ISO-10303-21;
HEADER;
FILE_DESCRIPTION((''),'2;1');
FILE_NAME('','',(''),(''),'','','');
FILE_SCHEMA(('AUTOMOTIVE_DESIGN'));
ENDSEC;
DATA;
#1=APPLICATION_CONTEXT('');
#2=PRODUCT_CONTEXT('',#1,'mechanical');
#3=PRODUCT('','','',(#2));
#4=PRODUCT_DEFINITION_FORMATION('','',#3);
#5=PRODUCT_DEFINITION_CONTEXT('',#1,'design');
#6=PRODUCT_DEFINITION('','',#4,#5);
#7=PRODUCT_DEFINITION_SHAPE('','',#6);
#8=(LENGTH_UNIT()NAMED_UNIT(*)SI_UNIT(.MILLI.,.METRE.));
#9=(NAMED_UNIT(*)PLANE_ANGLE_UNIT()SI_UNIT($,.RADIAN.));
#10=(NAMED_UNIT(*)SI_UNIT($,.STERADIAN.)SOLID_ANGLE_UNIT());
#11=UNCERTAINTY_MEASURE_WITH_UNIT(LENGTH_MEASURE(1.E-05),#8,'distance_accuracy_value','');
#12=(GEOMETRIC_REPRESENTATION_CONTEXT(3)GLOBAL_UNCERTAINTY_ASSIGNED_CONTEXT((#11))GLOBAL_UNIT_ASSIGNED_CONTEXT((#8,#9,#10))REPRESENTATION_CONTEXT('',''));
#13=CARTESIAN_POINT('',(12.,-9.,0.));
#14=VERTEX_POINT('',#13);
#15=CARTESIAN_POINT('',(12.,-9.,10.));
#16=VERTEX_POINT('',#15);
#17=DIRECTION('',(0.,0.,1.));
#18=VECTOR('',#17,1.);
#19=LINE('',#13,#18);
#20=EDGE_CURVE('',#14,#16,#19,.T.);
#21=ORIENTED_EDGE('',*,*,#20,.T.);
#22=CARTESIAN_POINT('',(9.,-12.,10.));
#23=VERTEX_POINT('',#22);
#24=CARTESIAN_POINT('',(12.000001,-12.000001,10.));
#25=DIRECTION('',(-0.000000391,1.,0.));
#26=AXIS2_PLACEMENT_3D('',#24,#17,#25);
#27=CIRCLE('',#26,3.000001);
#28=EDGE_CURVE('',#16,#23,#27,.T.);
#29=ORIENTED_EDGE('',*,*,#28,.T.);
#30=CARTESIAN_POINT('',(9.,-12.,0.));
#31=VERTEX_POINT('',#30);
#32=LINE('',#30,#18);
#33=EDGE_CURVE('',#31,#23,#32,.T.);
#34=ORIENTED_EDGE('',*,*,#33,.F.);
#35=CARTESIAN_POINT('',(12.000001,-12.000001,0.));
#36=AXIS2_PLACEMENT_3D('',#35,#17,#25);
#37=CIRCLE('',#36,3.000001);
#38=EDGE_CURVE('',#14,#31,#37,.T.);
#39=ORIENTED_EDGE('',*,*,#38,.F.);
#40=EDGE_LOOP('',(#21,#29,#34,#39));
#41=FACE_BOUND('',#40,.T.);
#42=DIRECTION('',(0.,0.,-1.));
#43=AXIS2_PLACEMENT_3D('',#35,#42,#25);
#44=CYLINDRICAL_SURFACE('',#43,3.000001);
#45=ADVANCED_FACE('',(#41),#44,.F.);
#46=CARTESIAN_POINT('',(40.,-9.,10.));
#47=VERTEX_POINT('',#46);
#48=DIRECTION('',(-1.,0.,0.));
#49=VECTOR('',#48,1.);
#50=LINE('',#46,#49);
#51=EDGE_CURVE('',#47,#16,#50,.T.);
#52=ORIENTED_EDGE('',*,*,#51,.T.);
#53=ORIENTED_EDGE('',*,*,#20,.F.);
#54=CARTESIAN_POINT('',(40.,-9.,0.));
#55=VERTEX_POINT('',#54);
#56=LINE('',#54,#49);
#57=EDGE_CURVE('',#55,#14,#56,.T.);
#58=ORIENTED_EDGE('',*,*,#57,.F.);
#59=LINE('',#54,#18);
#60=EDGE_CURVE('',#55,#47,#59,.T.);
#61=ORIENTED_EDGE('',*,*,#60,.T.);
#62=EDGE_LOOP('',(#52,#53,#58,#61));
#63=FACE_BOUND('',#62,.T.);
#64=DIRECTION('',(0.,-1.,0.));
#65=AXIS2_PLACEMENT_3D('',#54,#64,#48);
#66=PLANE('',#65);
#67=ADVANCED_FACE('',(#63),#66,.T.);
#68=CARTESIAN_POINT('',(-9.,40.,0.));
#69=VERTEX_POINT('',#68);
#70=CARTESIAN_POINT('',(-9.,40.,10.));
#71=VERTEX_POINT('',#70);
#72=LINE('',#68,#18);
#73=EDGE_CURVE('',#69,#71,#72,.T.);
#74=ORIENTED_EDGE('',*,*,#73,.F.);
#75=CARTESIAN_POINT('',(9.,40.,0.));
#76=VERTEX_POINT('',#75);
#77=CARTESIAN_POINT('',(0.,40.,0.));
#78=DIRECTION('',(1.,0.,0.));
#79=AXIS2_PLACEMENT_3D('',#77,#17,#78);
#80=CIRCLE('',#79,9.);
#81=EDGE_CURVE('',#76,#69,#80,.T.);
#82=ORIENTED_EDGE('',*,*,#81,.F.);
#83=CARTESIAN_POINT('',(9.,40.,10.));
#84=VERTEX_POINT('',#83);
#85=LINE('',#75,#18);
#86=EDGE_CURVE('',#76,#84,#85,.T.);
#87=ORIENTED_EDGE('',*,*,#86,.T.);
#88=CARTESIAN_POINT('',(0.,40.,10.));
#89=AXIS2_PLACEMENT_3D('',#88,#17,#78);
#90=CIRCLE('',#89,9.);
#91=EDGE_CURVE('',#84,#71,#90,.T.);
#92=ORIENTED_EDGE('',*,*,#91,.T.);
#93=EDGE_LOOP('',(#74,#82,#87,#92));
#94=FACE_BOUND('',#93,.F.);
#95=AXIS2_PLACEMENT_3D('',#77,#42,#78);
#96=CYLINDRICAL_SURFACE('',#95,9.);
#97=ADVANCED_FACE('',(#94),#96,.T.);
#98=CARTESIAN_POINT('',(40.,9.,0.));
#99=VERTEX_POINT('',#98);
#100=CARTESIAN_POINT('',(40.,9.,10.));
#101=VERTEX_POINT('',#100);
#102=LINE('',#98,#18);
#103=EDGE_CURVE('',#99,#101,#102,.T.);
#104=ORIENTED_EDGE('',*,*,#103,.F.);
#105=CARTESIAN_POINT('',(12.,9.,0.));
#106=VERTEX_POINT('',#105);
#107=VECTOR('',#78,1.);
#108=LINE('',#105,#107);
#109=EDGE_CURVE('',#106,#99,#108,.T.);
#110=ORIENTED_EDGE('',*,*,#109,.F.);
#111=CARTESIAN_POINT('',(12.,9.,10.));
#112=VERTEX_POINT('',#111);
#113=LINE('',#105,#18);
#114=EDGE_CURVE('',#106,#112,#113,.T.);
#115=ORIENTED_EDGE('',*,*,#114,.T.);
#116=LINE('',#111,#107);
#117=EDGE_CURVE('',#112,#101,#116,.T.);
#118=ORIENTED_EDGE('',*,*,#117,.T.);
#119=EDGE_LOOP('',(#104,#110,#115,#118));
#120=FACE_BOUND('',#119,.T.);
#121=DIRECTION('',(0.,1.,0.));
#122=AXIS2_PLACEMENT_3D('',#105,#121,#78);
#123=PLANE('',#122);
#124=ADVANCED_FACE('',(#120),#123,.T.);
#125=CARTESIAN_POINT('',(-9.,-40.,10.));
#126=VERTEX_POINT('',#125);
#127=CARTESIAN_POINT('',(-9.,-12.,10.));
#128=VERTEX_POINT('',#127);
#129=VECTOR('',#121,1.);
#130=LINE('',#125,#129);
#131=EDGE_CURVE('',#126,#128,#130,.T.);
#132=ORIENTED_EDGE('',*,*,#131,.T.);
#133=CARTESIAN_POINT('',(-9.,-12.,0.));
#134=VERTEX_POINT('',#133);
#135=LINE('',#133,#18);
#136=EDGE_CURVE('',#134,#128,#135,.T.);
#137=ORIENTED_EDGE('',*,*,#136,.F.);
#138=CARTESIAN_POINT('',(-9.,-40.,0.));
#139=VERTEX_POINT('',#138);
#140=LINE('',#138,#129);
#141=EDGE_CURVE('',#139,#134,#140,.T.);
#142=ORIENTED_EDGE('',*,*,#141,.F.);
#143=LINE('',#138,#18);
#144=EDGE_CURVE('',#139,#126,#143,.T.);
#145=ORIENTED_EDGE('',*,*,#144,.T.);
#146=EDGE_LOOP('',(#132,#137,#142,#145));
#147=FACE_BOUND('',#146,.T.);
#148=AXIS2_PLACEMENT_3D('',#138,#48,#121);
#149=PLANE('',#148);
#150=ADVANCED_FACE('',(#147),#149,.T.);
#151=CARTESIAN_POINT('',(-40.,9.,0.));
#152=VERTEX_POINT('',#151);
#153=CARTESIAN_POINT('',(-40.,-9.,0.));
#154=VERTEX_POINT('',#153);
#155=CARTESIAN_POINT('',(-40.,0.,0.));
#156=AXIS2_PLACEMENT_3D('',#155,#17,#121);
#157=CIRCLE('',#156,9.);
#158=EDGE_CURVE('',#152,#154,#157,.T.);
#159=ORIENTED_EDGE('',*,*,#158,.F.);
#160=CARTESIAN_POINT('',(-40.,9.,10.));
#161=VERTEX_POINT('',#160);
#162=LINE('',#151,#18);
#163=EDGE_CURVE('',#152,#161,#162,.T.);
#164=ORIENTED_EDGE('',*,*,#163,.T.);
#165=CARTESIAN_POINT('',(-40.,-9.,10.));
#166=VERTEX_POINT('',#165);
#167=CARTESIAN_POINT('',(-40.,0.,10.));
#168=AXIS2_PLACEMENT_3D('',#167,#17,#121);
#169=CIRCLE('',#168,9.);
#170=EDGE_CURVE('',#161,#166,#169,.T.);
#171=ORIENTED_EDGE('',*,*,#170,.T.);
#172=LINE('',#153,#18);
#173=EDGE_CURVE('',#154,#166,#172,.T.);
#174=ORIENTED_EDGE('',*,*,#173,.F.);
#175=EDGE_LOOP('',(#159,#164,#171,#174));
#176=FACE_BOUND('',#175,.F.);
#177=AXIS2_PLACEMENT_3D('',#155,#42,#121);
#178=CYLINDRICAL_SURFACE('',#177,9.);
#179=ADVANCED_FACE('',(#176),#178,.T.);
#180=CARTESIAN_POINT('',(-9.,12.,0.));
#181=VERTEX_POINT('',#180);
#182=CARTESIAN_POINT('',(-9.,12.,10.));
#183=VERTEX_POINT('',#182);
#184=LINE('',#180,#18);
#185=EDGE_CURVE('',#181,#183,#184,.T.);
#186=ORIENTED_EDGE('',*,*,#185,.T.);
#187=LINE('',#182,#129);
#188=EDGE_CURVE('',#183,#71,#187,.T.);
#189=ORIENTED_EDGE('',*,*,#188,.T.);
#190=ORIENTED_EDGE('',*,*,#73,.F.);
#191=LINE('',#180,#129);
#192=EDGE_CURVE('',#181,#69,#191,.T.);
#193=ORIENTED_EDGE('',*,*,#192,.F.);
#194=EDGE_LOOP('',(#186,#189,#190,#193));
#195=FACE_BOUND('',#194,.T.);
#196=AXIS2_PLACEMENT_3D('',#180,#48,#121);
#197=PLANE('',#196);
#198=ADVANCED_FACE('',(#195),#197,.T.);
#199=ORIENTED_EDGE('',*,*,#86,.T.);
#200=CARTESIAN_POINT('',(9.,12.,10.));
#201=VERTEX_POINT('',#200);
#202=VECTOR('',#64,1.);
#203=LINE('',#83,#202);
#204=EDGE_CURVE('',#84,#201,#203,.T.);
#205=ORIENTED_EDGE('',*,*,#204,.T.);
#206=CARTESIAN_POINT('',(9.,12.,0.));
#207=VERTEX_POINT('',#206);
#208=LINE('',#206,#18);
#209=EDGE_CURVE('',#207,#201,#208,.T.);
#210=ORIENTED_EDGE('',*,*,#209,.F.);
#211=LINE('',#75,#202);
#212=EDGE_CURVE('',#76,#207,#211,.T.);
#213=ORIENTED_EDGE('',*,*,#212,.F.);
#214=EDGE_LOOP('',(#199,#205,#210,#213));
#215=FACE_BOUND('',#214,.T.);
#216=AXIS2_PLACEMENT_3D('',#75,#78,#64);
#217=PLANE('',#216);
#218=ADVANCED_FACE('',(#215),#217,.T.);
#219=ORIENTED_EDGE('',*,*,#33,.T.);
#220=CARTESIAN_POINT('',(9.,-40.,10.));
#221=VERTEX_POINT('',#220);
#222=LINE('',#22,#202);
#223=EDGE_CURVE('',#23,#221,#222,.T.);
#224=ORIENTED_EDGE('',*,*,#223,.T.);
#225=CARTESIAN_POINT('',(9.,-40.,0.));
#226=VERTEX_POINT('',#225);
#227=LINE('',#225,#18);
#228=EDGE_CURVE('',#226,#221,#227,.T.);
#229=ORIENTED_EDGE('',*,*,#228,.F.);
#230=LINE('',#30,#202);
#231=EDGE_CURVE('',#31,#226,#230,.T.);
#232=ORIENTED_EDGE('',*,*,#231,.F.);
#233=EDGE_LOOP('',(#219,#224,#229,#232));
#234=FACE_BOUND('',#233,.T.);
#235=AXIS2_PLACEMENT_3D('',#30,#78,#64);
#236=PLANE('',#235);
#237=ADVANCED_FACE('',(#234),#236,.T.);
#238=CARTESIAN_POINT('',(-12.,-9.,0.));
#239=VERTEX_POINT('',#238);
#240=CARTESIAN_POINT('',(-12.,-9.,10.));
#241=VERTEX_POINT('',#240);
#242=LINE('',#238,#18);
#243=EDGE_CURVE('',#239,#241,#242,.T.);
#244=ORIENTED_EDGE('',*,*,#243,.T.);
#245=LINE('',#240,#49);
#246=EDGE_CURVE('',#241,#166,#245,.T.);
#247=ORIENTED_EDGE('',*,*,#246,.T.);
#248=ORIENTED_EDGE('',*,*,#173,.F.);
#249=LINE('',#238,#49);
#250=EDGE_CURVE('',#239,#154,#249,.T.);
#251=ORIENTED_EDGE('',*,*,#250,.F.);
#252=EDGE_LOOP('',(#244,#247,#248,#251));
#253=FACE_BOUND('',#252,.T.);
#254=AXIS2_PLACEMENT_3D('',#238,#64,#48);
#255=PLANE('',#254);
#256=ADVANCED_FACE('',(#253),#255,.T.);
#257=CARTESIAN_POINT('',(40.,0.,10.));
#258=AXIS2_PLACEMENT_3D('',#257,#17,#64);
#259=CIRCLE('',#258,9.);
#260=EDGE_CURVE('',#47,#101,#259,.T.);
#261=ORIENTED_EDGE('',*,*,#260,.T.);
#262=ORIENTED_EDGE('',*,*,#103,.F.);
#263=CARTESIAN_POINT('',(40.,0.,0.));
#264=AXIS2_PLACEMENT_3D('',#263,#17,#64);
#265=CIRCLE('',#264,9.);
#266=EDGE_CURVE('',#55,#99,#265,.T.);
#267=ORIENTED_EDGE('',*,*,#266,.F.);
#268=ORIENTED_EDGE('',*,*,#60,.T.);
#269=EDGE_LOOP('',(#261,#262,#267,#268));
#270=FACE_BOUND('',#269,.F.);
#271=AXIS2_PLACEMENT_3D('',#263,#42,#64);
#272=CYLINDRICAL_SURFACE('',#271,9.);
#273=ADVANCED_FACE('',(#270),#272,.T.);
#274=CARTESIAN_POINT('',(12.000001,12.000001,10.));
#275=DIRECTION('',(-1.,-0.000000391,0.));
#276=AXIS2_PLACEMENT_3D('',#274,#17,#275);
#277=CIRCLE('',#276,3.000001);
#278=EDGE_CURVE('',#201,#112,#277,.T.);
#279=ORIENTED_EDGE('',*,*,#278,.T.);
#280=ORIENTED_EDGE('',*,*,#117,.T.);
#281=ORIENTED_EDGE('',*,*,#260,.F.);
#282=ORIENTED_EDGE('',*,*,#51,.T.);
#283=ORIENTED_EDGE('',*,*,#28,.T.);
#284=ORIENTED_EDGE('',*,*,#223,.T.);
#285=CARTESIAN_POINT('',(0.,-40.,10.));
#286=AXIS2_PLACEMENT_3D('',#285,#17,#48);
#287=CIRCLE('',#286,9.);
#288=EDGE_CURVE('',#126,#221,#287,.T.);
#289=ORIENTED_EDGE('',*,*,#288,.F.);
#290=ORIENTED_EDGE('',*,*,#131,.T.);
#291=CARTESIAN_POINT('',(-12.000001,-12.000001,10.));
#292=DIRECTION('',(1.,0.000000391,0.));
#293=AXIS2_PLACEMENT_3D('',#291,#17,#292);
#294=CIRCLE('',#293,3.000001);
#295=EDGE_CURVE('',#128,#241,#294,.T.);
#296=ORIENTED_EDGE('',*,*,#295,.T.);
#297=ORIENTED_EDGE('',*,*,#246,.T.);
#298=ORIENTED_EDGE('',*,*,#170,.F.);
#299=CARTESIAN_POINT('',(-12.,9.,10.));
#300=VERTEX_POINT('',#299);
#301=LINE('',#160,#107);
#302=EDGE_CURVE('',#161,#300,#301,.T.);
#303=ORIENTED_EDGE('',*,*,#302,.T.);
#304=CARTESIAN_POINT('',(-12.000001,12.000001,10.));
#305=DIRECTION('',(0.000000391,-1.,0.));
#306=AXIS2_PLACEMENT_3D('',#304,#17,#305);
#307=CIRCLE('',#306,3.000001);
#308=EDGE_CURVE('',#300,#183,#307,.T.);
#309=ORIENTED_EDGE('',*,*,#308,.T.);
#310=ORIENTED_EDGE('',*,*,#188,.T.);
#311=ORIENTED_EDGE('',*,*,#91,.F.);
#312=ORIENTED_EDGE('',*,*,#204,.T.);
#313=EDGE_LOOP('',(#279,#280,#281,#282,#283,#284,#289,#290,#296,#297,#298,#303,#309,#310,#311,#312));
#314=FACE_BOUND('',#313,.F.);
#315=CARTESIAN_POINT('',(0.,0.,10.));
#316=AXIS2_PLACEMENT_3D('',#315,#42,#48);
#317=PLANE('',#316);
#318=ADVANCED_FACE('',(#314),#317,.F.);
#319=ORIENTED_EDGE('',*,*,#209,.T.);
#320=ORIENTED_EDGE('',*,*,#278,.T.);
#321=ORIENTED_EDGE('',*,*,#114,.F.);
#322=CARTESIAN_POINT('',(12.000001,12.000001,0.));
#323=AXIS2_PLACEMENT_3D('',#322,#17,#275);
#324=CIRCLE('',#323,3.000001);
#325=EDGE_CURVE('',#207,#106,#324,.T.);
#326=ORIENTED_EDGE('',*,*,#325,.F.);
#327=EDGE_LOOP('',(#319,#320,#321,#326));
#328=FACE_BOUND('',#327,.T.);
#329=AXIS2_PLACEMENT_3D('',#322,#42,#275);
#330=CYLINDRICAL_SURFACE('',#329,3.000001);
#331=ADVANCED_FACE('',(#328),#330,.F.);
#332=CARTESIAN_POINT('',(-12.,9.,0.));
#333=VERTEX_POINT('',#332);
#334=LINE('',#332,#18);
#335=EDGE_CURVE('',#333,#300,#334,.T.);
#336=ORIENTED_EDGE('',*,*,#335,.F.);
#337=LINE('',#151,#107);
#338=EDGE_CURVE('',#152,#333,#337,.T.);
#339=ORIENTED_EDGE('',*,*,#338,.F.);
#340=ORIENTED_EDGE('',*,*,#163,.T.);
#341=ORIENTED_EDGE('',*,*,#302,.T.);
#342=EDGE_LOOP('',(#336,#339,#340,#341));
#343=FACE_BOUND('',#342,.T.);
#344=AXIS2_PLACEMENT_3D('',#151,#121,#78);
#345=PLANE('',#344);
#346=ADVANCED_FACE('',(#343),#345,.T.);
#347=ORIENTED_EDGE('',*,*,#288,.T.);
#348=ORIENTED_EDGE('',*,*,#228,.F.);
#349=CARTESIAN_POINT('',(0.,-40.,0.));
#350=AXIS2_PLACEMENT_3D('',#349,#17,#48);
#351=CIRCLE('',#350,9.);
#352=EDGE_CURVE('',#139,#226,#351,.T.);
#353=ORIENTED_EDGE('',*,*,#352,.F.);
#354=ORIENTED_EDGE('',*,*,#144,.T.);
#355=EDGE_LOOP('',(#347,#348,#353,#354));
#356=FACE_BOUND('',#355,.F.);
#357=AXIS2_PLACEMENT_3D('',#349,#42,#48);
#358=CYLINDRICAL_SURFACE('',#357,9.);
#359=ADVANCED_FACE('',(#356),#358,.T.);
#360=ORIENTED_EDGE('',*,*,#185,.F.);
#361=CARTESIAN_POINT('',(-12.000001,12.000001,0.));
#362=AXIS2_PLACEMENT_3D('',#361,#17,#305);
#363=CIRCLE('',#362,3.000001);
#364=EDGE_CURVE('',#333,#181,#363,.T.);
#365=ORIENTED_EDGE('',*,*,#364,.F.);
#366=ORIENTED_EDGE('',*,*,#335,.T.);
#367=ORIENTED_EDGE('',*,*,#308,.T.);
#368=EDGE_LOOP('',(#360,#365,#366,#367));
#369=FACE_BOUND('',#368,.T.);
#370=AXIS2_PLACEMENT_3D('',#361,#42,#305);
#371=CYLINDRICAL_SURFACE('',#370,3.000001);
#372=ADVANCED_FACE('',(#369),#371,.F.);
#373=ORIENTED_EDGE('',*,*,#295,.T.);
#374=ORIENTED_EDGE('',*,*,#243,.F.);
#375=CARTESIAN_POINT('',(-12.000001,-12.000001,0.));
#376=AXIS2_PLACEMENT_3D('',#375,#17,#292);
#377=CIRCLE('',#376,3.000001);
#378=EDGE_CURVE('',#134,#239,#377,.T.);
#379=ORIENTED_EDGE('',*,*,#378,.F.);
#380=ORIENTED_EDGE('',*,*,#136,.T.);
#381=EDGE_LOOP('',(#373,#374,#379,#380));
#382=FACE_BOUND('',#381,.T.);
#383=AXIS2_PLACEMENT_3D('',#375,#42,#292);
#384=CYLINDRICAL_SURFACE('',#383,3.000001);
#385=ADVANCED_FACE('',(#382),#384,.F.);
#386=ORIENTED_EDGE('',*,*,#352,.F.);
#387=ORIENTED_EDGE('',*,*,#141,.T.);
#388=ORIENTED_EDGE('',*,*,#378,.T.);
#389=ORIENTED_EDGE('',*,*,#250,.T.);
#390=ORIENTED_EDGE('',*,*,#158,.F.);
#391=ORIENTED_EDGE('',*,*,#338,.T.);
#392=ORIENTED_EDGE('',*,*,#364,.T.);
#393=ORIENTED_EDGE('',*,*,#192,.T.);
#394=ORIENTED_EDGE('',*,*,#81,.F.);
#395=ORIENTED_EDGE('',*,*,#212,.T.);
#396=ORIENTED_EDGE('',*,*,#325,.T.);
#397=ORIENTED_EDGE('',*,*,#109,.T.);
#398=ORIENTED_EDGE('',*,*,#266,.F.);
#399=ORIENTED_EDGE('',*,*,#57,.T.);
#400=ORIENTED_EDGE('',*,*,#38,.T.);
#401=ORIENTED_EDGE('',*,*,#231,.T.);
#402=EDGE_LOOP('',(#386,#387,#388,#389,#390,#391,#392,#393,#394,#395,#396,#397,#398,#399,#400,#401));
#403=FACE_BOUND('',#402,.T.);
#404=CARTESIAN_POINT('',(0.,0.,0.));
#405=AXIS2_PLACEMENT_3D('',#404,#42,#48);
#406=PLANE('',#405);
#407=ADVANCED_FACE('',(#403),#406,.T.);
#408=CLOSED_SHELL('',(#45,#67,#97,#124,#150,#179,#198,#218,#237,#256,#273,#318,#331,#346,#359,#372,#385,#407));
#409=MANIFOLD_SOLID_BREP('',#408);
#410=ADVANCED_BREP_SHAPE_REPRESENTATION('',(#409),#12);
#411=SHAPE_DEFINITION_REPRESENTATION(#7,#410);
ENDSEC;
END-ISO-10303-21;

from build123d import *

# Parameters (mm, degrees)
PAD_DEPTH = 10


with BuildPart() as part:
    # Sketch → Pad (new body)
    with BuildSketch(Plane.XY):
        with BuildLine():
            Line((-9, 12), (-9, 40))
            ThreePointArc((9, 40), (0, 49), (-9, 40))
            Line((9, 40), (9, 12))
            ThreePointArc((9, 12), (9.87868, 9.87868), (12, 9))
            Line((12, 9), (40, 9))
            ThreePointArc((40, -9), (49, 0), (40, 9))
            Line((40, -9), (12, -9))
            ThreePointArc((12, -9), (9.87868, -9.87868), (9, -12))
            Line((9, -12), (9, -40))
            ThreePointArc((-9, -40), (0, -49), (9, -40))
            Line((-9, -40), (-9, -12))
            ThreePointArc((-9, -12), (-9.87868, -9.87868), (-12, -9))
            Line((-12, -9), (-40, -9))
            ThreePointArc((-40, 9), (-49, 0), (-40, -9))
            Line((-40, 9), (-12, 9))
            ThreePointArc((-12, 9), (-9.87868, 9.87868), (-9, 12))
        make_face()
    extrude(amount=PAD_DEPTH)


solid = part.part
